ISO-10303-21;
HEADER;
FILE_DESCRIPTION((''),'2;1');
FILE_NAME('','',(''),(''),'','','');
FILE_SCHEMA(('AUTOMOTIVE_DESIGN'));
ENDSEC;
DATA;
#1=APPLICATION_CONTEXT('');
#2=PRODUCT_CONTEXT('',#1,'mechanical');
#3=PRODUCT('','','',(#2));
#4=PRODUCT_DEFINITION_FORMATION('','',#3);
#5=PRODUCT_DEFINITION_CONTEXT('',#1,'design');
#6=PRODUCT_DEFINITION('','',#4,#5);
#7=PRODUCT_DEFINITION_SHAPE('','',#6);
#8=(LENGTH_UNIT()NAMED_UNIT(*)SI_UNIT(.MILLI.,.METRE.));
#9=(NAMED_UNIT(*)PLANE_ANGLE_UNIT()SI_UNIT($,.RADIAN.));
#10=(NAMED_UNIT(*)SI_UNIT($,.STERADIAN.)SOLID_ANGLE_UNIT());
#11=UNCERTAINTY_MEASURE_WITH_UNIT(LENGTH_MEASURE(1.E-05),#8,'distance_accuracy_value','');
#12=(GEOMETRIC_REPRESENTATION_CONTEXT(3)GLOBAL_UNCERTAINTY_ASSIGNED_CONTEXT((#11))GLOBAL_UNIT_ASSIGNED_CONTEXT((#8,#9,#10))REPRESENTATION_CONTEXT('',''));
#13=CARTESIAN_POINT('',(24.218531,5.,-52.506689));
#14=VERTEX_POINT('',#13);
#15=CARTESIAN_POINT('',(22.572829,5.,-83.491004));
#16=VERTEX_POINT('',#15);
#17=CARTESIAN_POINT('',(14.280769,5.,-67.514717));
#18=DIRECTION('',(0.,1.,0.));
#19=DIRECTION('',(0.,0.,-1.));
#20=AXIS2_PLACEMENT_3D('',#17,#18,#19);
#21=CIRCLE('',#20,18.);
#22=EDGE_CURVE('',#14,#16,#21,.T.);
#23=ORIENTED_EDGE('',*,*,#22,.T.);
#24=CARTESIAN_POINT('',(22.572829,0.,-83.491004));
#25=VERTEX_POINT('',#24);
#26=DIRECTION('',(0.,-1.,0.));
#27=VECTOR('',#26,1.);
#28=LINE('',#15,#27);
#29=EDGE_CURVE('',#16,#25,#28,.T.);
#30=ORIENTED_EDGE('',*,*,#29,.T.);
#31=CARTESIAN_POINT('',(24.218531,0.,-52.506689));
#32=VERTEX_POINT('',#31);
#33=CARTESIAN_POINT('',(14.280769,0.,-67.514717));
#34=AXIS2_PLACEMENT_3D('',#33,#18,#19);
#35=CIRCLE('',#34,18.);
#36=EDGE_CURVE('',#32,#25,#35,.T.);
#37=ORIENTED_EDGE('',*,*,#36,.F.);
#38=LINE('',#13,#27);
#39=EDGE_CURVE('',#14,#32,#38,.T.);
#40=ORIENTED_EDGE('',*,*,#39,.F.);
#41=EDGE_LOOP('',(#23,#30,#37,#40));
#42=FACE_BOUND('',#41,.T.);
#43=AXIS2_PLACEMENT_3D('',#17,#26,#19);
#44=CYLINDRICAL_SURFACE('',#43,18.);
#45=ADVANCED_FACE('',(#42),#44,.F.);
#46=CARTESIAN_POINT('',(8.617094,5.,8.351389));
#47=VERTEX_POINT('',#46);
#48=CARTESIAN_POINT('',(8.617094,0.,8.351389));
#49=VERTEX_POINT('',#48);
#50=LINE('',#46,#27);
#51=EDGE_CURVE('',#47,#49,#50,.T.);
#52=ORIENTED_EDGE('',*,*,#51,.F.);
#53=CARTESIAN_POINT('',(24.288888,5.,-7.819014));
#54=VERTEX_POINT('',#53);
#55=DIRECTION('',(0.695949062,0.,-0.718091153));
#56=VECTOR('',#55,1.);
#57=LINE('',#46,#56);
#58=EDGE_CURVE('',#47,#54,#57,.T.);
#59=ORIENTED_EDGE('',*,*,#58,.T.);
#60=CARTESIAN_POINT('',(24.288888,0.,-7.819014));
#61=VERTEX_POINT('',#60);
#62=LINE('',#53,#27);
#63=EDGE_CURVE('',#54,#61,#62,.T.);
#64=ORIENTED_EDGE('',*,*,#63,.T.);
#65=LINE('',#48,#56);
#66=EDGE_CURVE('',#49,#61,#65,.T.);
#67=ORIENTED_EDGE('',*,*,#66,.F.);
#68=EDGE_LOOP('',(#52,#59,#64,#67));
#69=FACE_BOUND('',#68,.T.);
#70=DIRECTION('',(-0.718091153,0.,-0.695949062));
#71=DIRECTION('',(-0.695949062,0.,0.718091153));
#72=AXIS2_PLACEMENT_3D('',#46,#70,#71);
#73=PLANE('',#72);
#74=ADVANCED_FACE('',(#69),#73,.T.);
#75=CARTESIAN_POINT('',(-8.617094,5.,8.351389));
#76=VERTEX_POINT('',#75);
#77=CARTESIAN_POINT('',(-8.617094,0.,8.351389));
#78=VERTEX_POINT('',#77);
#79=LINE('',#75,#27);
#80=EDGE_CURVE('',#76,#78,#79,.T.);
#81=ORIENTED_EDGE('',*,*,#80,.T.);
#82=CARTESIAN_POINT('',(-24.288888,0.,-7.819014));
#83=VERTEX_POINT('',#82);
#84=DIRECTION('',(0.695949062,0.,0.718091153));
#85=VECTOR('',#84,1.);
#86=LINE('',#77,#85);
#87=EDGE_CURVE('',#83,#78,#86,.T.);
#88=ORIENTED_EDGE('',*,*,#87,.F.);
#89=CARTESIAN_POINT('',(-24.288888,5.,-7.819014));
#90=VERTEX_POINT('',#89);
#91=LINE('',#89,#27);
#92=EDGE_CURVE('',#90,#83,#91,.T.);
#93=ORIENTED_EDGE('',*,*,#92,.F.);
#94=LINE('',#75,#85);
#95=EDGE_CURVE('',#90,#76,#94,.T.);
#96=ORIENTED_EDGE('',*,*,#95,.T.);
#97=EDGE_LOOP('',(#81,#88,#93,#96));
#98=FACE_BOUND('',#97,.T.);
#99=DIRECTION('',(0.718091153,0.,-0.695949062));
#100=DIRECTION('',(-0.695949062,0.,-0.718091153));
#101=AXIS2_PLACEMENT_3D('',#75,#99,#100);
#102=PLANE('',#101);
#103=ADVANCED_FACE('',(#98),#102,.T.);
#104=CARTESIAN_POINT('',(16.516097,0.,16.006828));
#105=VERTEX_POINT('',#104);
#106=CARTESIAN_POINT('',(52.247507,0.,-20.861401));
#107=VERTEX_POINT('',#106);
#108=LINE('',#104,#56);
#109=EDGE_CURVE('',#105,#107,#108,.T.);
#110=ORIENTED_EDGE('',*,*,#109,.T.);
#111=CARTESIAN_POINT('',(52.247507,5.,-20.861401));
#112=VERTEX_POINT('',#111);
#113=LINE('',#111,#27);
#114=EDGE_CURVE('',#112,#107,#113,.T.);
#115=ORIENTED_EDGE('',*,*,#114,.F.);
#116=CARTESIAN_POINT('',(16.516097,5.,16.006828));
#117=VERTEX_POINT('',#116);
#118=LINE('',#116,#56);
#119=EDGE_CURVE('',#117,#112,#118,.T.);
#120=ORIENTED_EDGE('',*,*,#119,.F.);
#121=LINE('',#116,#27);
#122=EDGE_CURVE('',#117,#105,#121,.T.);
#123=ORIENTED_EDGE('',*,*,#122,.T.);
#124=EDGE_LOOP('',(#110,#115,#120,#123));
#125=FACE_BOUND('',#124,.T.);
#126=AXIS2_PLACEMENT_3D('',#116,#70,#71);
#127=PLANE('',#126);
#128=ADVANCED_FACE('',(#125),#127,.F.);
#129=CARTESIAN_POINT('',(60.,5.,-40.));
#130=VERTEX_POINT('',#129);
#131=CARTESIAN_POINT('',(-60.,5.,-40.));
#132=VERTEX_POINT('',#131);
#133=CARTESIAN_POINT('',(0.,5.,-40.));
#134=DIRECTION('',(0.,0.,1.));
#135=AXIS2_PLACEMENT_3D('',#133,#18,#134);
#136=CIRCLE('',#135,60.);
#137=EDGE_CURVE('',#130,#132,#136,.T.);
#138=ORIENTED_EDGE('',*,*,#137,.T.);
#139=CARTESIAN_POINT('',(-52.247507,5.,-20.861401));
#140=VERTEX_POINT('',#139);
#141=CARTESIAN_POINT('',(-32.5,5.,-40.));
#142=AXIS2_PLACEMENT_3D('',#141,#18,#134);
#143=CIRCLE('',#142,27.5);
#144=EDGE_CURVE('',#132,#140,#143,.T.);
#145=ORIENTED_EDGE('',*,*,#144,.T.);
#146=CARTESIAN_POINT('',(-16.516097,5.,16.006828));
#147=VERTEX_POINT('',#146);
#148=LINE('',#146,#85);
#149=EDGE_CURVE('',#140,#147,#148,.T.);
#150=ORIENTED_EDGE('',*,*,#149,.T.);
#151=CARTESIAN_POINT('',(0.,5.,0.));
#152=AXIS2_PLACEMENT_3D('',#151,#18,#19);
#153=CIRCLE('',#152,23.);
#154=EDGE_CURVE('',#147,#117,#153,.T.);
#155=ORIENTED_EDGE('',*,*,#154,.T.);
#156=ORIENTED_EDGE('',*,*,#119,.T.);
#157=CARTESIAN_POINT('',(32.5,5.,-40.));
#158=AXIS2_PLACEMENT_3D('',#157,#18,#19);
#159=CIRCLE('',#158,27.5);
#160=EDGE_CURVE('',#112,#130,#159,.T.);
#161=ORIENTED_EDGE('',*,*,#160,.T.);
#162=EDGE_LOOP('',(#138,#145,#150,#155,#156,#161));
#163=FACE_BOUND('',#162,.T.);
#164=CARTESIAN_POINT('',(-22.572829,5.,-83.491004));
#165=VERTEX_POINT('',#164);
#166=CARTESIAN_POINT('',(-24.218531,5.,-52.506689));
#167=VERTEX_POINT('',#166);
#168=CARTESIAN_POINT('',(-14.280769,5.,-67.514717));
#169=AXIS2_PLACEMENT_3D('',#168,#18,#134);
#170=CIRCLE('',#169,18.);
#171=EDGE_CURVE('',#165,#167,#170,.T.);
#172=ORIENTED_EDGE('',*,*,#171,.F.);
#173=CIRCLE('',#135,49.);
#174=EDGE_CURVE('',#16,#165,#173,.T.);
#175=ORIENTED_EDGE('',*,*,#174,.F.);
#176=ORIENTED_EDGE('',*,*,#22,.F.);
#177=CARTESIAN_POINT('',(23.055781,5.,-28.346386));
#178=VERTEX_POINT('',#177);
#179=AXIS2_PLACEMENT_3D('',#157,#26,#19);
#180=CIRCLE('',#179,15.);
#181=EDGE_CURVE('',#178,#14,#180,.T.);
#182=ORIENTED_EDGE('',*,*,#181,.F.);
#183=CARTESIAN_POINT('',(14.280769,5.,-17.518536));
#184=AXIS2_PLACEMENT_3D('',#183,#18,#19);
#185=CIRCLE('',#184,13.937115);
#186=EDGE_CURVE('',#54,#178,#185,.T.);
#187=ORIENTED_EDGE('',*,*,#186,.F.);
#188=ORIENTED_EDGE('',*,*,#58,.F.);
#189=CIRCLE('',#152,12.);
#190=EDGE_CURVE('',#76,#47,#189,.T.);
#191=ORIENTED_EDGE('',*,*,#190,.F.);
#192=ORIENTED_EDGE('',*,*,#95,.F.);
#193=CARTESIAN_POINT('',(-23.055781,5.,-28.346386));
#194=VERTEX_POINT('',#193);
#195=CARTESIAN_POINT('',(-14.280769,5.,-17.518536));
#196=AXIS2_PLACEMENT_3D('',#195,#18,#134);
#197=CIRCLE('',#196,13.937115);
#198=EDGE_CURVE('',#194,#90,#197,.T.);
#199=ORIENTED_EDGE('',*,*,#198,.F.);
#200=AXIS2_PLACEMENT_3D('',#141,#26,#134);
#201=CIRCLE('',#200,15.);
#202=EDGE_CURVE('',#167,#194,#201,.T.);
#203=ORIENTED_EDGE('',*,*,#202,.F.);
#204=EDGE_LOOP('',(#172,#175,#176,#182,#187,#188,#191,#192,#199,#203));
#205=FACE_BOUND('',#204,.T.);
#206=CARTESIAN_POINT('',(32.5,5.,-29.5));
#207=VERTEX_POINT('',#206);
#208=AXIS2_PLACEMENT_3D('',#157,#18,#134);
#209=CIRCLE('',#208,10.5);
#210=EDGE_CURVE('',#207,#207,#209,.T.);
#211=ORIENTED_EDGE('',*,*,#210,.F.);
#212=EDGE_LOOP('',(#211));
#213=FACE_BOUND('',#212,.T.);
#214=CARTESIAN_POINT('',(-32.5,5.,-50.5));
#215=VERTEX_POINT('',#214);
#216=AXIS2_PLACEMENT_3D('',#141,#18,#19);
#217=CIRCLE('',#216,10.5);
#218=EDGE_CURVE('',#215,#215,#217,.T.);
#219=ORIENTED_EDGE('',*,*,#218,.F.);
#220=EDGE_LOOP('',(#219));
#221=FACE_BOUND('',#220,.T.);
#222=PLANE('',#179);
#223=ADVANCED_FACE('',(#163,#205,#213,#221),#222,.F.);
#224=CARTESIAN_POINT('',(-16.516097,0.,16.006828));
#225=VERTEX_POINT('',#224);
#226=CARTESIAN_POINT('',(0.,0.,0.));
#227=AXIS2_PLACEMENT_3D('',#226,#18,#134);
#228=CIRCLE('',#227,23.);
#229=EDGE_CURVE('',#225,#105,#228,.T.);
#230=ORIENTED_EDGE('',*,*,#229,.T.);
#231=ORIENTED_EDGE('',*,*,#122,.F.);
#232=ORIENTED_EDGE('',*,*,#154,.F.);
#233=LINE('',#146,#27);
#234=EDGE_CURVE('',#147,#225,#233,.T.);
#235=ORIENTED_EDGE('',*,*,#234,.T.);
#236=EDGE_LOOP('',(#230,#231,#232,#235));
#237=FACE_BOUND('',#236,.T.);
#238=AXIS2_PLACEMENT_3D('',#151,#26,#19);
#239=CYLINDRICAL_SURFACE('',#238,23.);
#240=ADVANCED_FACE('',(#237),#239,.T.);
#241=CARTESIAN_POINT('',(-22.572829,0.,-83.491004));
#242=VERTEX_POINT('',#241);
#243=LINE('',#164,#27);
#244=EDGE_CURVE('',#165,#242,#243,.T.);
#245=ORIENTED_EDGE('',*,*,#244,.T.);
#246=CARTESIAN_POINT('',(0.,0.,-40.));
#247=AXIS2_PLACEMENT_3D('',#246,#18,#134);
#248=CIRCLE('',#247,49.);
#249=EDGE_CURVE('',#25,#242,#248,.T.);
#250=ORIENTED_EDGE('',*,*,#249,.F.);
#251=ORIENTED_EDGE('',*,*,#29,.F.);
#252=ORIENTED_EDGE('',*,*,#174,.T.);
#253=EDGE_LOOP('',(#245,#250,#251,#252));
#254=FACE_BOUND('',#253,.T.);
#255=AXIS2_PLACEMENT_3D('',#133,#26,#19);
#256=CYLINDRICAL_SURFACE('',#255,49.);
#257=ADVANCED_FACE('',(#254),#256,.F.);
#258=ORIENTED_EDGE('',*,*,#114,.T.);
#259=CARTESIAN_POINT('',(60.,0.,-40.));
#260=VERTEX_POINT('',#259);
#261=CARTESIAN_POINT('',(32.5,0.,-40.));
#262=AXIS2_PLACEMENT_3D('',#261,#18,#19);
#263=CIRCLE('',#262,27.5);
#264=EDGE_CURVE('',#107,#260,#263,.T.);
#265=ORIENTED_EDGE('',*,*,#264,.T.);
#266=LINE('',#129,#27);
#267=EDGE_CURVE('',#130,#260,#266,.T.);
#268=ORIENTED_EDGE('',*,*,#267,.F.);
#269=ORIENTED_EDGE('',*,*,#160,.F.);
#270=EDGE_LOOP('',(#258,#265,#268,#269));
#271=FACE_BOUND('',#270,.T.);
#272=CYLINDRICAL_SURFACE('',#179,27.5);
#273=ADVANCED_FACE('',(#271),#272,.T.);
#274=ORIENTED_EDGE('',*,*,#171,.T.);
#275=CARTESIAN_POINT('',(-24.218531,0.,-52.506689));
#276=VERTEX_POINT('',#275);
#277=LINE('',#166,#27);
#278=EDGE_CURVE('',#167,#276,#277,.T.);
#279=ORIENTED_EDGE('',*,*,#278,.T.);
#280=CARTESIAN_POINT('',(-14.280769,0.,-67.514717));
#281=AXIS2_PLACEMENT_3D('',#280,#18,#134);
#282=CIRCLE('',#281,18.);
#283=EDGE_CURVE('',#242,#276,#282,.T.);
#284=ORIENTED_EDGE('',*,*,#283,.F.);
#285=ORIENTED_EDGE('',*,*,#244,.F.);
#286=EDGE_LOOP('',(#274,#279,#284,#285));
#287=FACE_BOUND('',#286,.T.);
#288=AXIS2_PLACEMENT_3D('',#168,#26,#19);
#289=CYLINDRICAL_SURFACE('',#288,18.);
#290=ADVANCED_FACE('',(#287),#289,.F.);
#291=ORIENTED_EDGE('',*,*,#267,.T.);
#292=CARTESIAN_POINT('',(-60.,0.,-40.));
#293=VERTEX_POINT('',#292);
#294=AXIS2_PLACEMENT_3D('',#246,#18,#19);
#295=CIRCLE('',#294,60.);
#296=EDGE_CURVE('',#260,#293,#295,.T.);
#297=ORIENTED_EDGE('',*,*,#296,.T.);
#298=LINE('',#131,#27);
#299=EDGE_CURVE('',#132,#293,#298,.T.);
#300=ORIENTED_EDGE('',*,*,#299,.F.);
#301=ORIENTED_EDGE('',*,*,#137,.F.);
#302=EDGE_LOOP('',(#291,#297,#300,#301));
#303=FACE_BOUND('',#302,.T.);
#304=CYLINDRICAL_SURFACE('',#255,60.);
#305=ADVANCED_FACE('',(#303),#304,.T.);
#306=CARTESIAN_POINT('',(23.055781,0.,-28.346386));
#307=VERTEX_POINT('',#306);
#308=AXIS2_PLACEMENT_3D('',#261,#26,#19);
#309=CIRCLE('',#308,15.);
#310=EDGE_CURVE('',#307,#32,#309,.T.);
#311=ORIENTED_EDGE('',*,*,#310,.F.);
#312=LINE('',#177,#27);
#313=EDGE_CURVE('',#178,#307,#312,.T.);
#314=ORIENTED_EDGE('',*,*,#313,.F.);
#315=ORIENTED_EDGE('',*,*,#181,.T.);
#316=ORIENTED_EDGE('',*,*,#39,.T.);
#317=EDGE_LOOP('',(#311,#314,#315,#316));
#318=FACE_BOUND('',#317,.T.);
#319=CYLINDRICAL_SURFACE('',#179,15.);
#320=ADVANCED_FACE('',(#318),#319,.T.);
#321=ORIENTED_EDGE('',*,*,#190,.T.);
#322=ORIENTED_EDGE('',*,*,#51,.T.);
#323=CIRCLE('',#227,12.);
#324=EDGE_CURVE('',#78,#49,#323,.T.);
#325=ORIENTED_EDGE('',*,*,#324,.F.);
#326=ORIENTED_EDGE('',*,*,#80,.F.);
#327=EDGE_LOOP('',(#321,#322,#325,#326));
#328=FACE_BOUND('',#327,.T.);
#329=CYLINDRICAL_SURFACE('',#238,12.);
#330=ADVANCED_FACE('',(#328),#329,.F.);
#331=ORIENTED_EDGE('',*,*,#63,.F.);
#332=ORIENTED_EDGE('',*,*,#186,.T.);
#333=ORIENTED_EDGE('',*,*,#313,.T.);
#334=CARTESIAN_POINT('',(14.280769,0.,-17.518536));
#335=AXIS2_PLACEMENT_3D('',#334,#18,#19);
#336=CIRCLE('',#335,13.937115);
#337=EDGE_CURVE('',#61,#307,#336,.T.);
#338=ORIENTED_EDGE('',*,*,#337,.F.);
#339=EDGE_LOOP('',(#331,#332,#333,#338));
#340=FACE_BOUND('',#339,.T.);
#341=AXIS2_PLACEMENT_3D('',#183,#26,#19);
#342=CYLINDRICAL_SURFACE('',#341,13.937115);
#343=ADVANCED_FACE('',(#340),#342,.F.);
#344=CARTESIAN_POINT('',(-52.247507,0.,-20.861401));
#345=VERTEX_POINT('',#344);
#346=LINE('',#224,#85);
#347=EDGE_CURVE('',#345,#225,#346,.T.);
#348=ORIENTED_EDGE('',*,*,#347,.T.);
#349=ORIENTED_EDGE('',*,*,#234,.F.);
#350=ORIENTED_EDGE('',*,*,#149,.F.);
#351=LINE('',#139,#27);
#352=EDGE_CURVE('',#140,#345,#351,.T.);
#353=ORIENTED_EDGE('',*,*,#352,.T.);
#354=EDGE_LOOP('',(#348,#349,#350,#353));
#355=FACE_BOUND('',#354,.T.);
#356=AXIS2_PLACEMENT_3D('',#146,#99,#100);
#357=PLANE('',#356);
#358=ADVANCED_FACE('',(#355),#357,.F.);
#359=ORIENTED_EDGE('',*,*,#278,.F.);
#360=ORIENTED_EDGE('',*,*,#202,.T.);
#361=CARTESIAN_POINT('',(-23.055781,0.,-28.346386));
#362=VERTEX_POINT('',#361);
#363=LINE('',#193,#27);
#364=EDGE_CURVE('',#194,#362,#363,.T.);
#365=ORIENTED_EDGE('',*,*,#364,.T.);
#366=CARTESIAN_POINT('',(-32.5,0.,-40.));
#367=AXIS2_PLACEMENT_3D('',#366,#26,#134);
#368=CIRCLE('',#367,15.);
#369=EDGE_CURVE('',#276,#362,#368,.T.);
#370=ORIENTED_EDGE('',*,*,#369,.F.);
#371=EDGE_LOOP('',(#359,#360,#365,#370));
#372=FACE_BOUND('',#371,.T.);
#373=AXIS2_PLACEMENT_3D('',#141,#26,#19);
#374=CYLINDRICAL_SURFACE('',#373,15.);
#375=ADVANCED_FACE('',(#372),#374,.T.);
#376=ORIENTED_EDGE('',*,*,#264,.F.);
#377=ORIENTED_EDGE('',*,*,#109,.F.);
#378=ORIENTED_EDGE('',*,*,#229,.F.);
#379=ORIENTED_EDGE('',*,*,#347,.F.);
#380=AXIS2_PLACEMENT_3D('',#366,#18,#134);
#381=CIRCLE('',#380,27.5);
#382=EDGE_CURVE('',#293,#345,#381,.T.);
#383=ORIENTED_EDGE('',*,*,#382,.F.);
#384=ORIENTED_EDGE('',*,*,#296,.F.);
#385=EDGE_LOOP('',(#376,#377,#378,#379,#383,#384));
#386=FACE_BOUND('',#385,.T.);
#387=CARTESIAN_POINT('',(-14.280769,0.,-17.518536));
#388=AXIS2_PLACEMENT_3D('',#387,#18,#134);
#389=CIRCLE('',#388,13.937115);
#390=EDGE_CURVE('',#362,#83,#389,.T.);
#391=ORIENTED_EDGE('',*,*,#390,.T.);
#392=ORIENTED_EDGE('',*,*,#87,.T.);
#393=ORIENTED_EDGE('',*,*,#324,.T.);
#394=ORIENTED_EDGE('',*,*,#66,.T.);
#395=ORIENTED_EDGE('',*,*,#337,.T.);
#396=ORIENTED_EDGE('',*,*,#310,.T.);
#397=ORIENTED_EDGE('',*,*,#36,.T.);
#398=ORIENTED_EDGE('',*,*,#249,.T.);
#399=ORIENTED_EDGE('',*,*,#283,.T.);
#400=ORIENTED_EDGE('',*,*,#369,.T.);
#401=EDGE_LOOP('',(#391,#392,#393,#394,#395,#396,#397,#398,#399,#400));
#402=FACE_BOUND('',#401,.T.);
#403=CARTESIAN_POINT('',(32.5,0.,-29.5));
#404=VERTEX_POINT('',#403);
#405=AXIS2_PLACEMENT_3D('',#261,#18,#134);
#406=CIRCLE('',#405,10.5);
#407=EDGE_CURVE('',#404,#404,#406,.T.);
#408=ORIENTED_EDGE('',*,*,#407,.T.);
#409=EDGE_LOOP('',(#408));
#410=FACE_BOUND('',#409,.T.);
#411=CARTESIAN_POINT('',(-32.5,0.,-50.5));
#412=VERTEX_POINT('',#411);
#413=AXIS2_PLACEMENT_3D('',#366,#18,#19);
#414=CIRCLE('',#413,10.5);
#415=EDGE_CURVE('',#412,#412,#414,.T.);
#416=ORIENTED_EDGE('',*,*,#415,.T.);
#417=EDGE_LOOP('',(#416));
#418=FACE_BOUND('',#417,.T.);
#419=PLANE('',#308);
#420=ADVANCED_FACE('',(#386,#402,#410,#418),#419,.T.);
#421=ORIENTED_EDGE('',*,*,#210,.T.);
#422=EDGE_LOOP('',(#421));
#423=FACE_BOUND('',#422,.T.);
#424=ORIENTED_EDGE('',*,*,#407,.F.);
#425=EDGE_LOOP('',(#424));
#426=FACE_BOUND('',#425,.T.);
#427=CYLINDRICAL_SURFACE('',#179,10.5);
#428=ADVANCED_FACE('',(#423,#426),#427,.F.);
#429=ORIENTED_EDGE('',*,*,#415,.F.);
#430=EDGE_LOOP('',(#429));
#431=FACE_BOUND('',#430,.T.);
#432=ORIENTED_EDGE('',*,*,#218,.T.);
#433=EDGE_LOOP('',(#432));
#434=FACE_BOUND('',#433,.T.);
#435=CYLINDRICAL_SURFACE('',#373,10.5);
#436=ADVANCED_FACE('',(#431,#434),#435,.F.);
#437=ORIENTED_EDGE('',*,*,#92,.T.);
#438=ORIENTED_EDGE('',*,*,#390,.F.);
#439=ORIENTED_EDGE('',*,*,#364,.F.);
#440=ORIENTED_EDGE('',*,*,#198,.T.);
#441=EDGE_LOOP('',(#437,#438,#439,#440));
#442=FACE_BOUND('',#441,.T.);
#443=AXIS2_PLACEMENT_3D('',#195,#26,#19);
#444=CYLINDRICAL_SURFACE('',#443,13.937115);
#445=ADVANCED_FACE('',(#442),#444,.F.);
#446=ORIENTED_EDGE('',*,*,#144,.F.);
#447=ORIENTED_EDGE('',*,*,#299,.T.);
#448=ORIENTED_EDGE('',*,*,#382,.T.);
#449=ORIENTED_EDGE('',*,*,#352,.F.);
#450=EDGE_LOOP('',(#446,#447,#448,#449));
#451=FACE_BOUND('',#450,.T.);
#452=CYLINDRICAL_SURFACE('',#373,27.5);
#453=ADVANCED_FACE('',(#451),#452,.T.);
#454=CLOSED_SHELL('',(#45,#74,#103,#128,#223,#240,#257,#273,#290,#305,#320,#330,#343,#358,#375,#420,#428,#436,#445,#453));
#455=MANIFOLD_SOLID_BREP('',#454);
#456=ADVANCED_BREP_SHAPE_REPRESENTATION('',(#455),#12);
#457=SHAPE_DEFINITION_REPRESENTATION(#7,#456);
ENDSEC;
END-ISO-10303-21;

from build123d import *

# Parameters (mm, degrees)
SKETCH1_R           = 10.5
BOSS_EXTRUDE2_DEPTH = 5


with BuildPart() as part:
    # Sketch1 → Boss-Extrude2 (new body)
    with BuildSketch(Plane(origin=(0, 0, 0), x_dir=(1, 0, 0), z_dir=(0, 1, 0))):
        with BuildLine():
            Line((16.516096513, -16.006828417), (52.2475067, 20.861400806))
            ThreePointArc((52.2475067, 20.861400806), (57.988295689, 29.675428199), (60, 40))
            ThreePointArc((60, 40), (42.426406871, 82.426406871), (0, 100))
            ThreePointArc((0, 100), (-42.426406871, 82.426406871), (-60, 40))
            ThreePointArc((-60, 40), (-57.988295689, 29.675428199), (-52.2475067, 20.861400806))
            Line((-52.2475067, 20.861400806), (-16.516096513, -16.006828417))
            ThreePointArc((-16.516096513, -16.006828417), (-8.967802028, -21.17967249), (0, -23))
            ThreePointArc((0, -23), (8.967802028, -21.17967249), (16.516096513, -16.006828417))
        make_face()
        with Locations(Location((32.5, 40, 0), (0, 0, 270))):
            Circle(SKETCH1_R, mode=Mode.SUBTRACT)
        with Locations(Location((-32.5, 40, 0), (0, 0, 90))):
            Circle(SKETCH1_R, mode=Mode.SUBTRACT)
        with BuildLine():
            Line((8.617093833, -8.351388739), (24.288887892, 7.819014071))
            ThreePointArc((24.288887892, 7.819014071), (28.192805121, 18.354250949), (23.055780503, 28.34638605))
            ThreePointArc((23.055780503, 28.34638605), (17.517341086, 40.721063014), (24.218531469, 52.506689369))
            ThreePointArc((24.218531469, 52.506689369), (32.255432897, 68.469423949), (22.572828784, 83.491003675))
            ThreePointArc((22.572828784, 83.491003675), (0, 89), (-22.572828784, 83.491003675))
            ThreePointArc((-22.572828784, 83.491003675), (-32.255432897, 68.469423949), (-24.218531469, 52.506689369))
            ThreePointArc((-24.218531469, 52.506689369), (-17.517341086, 40.721063014), (-23.055780503, 28.34638605))
            ThreePointArc((-23.055780503, 28.34638605), (-28.192805121, 18.354250949), (-24.288887892, 7.819014071))
            Line((-24.288887892, 7.819014071), (-8.617093833, -8.351388739))
            ThreePointArc((-8.617093833, -8.351388739), (-4.678853232, -11.050263908), (0, -12))
            ThreePointArc((0, -12), (4.678853232, -11.050263908), (8.617093833, -8.351388739))
        make_face(mode=Mode.SUBTRACT)
    extrude(amount=BOSS_EXTRUDE2_DEPTH)


solid = part.part
